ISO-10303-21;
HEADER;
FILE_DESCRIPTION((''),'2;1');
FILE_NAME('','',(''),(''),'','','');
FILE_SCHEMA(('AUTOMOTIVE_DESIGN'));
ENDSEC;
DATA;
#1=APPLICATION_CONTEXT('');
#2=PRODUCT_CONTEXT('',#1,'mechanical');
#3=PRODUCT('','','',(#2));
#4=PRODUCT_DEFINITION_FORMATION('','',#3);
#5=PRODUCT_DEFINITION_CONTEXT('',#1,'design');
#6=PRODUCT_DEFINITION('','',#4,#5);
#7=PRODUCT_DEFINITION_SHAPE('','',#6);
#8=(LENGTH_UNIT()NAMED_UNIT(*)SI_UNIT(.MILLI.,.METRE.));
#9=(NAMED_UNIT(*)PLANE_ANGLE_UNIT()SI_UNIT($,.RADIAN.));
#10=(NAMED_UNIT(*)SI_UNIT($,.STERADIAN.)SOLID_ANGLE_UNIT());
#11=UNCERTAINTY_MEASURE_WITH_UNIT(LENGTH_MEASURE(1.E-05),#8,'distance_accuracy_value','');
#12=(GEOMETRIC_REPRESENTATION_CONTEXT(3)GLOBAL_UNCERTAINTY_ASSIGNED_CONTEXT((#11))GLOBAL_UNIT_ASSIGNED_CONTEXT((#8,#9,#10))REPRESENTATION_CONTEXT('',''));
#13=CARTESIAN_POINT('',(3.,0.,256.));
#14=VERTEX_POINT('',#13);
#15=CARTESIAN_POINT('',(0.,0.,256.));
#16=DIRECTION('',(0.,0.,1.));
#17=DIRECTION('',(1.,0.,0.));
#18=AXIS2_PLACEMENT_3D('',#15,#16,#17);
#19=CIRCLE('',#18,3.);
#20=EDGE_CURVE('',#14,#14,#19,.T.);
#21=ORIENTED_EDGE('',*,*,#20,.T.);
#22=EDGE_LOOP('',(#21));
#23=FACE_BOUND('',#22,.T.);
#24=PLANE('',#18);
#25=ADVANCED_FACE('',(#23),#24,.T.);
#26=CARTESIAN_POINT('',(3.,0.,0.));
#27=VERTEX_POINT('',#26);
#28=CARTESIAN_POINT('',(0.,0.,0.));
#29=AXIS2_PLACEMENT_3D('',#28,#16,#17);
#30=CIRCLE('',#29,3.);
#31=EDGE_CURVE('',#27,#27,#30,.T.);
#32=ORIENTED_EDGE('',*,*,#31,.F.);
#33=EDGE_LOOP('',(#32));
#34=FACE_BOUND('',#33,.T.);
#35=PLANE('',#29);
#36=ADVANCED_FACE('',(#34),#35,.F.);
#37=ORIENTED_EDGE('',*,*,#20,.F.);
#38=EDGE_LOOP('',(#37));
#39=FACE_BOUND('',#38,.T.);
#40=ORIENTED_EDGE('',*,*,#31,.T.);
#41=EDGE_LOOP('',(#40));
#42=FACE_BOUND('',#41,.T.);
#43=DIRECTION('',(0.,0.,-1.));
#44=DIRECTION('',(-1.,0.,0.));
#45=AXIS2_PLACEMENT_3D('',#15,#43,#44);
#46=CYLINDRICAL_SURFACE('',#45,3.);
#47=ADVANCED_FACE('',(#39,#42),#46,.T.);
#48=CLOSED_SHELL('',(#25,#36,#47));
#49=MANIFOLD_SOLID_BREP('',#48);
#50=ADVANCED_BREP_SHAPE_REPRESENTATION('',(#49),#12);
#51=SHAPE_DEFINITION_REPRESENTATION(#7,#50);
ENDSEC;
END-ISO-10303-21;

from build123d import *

# Parameters (mm, degrees)
SKETCH_1_R      = 3
EXTRUDE_1_DEPTH = 256


with BuildPart() as part:
    # 스케치1 → 보스-돌출1 (new body)
    with BuildSketch(Plane.XY):
        Circle(SKETCH_1_R)
    extrude(amount=EXTRUDE_1_DEPTH)


solid = part.part
